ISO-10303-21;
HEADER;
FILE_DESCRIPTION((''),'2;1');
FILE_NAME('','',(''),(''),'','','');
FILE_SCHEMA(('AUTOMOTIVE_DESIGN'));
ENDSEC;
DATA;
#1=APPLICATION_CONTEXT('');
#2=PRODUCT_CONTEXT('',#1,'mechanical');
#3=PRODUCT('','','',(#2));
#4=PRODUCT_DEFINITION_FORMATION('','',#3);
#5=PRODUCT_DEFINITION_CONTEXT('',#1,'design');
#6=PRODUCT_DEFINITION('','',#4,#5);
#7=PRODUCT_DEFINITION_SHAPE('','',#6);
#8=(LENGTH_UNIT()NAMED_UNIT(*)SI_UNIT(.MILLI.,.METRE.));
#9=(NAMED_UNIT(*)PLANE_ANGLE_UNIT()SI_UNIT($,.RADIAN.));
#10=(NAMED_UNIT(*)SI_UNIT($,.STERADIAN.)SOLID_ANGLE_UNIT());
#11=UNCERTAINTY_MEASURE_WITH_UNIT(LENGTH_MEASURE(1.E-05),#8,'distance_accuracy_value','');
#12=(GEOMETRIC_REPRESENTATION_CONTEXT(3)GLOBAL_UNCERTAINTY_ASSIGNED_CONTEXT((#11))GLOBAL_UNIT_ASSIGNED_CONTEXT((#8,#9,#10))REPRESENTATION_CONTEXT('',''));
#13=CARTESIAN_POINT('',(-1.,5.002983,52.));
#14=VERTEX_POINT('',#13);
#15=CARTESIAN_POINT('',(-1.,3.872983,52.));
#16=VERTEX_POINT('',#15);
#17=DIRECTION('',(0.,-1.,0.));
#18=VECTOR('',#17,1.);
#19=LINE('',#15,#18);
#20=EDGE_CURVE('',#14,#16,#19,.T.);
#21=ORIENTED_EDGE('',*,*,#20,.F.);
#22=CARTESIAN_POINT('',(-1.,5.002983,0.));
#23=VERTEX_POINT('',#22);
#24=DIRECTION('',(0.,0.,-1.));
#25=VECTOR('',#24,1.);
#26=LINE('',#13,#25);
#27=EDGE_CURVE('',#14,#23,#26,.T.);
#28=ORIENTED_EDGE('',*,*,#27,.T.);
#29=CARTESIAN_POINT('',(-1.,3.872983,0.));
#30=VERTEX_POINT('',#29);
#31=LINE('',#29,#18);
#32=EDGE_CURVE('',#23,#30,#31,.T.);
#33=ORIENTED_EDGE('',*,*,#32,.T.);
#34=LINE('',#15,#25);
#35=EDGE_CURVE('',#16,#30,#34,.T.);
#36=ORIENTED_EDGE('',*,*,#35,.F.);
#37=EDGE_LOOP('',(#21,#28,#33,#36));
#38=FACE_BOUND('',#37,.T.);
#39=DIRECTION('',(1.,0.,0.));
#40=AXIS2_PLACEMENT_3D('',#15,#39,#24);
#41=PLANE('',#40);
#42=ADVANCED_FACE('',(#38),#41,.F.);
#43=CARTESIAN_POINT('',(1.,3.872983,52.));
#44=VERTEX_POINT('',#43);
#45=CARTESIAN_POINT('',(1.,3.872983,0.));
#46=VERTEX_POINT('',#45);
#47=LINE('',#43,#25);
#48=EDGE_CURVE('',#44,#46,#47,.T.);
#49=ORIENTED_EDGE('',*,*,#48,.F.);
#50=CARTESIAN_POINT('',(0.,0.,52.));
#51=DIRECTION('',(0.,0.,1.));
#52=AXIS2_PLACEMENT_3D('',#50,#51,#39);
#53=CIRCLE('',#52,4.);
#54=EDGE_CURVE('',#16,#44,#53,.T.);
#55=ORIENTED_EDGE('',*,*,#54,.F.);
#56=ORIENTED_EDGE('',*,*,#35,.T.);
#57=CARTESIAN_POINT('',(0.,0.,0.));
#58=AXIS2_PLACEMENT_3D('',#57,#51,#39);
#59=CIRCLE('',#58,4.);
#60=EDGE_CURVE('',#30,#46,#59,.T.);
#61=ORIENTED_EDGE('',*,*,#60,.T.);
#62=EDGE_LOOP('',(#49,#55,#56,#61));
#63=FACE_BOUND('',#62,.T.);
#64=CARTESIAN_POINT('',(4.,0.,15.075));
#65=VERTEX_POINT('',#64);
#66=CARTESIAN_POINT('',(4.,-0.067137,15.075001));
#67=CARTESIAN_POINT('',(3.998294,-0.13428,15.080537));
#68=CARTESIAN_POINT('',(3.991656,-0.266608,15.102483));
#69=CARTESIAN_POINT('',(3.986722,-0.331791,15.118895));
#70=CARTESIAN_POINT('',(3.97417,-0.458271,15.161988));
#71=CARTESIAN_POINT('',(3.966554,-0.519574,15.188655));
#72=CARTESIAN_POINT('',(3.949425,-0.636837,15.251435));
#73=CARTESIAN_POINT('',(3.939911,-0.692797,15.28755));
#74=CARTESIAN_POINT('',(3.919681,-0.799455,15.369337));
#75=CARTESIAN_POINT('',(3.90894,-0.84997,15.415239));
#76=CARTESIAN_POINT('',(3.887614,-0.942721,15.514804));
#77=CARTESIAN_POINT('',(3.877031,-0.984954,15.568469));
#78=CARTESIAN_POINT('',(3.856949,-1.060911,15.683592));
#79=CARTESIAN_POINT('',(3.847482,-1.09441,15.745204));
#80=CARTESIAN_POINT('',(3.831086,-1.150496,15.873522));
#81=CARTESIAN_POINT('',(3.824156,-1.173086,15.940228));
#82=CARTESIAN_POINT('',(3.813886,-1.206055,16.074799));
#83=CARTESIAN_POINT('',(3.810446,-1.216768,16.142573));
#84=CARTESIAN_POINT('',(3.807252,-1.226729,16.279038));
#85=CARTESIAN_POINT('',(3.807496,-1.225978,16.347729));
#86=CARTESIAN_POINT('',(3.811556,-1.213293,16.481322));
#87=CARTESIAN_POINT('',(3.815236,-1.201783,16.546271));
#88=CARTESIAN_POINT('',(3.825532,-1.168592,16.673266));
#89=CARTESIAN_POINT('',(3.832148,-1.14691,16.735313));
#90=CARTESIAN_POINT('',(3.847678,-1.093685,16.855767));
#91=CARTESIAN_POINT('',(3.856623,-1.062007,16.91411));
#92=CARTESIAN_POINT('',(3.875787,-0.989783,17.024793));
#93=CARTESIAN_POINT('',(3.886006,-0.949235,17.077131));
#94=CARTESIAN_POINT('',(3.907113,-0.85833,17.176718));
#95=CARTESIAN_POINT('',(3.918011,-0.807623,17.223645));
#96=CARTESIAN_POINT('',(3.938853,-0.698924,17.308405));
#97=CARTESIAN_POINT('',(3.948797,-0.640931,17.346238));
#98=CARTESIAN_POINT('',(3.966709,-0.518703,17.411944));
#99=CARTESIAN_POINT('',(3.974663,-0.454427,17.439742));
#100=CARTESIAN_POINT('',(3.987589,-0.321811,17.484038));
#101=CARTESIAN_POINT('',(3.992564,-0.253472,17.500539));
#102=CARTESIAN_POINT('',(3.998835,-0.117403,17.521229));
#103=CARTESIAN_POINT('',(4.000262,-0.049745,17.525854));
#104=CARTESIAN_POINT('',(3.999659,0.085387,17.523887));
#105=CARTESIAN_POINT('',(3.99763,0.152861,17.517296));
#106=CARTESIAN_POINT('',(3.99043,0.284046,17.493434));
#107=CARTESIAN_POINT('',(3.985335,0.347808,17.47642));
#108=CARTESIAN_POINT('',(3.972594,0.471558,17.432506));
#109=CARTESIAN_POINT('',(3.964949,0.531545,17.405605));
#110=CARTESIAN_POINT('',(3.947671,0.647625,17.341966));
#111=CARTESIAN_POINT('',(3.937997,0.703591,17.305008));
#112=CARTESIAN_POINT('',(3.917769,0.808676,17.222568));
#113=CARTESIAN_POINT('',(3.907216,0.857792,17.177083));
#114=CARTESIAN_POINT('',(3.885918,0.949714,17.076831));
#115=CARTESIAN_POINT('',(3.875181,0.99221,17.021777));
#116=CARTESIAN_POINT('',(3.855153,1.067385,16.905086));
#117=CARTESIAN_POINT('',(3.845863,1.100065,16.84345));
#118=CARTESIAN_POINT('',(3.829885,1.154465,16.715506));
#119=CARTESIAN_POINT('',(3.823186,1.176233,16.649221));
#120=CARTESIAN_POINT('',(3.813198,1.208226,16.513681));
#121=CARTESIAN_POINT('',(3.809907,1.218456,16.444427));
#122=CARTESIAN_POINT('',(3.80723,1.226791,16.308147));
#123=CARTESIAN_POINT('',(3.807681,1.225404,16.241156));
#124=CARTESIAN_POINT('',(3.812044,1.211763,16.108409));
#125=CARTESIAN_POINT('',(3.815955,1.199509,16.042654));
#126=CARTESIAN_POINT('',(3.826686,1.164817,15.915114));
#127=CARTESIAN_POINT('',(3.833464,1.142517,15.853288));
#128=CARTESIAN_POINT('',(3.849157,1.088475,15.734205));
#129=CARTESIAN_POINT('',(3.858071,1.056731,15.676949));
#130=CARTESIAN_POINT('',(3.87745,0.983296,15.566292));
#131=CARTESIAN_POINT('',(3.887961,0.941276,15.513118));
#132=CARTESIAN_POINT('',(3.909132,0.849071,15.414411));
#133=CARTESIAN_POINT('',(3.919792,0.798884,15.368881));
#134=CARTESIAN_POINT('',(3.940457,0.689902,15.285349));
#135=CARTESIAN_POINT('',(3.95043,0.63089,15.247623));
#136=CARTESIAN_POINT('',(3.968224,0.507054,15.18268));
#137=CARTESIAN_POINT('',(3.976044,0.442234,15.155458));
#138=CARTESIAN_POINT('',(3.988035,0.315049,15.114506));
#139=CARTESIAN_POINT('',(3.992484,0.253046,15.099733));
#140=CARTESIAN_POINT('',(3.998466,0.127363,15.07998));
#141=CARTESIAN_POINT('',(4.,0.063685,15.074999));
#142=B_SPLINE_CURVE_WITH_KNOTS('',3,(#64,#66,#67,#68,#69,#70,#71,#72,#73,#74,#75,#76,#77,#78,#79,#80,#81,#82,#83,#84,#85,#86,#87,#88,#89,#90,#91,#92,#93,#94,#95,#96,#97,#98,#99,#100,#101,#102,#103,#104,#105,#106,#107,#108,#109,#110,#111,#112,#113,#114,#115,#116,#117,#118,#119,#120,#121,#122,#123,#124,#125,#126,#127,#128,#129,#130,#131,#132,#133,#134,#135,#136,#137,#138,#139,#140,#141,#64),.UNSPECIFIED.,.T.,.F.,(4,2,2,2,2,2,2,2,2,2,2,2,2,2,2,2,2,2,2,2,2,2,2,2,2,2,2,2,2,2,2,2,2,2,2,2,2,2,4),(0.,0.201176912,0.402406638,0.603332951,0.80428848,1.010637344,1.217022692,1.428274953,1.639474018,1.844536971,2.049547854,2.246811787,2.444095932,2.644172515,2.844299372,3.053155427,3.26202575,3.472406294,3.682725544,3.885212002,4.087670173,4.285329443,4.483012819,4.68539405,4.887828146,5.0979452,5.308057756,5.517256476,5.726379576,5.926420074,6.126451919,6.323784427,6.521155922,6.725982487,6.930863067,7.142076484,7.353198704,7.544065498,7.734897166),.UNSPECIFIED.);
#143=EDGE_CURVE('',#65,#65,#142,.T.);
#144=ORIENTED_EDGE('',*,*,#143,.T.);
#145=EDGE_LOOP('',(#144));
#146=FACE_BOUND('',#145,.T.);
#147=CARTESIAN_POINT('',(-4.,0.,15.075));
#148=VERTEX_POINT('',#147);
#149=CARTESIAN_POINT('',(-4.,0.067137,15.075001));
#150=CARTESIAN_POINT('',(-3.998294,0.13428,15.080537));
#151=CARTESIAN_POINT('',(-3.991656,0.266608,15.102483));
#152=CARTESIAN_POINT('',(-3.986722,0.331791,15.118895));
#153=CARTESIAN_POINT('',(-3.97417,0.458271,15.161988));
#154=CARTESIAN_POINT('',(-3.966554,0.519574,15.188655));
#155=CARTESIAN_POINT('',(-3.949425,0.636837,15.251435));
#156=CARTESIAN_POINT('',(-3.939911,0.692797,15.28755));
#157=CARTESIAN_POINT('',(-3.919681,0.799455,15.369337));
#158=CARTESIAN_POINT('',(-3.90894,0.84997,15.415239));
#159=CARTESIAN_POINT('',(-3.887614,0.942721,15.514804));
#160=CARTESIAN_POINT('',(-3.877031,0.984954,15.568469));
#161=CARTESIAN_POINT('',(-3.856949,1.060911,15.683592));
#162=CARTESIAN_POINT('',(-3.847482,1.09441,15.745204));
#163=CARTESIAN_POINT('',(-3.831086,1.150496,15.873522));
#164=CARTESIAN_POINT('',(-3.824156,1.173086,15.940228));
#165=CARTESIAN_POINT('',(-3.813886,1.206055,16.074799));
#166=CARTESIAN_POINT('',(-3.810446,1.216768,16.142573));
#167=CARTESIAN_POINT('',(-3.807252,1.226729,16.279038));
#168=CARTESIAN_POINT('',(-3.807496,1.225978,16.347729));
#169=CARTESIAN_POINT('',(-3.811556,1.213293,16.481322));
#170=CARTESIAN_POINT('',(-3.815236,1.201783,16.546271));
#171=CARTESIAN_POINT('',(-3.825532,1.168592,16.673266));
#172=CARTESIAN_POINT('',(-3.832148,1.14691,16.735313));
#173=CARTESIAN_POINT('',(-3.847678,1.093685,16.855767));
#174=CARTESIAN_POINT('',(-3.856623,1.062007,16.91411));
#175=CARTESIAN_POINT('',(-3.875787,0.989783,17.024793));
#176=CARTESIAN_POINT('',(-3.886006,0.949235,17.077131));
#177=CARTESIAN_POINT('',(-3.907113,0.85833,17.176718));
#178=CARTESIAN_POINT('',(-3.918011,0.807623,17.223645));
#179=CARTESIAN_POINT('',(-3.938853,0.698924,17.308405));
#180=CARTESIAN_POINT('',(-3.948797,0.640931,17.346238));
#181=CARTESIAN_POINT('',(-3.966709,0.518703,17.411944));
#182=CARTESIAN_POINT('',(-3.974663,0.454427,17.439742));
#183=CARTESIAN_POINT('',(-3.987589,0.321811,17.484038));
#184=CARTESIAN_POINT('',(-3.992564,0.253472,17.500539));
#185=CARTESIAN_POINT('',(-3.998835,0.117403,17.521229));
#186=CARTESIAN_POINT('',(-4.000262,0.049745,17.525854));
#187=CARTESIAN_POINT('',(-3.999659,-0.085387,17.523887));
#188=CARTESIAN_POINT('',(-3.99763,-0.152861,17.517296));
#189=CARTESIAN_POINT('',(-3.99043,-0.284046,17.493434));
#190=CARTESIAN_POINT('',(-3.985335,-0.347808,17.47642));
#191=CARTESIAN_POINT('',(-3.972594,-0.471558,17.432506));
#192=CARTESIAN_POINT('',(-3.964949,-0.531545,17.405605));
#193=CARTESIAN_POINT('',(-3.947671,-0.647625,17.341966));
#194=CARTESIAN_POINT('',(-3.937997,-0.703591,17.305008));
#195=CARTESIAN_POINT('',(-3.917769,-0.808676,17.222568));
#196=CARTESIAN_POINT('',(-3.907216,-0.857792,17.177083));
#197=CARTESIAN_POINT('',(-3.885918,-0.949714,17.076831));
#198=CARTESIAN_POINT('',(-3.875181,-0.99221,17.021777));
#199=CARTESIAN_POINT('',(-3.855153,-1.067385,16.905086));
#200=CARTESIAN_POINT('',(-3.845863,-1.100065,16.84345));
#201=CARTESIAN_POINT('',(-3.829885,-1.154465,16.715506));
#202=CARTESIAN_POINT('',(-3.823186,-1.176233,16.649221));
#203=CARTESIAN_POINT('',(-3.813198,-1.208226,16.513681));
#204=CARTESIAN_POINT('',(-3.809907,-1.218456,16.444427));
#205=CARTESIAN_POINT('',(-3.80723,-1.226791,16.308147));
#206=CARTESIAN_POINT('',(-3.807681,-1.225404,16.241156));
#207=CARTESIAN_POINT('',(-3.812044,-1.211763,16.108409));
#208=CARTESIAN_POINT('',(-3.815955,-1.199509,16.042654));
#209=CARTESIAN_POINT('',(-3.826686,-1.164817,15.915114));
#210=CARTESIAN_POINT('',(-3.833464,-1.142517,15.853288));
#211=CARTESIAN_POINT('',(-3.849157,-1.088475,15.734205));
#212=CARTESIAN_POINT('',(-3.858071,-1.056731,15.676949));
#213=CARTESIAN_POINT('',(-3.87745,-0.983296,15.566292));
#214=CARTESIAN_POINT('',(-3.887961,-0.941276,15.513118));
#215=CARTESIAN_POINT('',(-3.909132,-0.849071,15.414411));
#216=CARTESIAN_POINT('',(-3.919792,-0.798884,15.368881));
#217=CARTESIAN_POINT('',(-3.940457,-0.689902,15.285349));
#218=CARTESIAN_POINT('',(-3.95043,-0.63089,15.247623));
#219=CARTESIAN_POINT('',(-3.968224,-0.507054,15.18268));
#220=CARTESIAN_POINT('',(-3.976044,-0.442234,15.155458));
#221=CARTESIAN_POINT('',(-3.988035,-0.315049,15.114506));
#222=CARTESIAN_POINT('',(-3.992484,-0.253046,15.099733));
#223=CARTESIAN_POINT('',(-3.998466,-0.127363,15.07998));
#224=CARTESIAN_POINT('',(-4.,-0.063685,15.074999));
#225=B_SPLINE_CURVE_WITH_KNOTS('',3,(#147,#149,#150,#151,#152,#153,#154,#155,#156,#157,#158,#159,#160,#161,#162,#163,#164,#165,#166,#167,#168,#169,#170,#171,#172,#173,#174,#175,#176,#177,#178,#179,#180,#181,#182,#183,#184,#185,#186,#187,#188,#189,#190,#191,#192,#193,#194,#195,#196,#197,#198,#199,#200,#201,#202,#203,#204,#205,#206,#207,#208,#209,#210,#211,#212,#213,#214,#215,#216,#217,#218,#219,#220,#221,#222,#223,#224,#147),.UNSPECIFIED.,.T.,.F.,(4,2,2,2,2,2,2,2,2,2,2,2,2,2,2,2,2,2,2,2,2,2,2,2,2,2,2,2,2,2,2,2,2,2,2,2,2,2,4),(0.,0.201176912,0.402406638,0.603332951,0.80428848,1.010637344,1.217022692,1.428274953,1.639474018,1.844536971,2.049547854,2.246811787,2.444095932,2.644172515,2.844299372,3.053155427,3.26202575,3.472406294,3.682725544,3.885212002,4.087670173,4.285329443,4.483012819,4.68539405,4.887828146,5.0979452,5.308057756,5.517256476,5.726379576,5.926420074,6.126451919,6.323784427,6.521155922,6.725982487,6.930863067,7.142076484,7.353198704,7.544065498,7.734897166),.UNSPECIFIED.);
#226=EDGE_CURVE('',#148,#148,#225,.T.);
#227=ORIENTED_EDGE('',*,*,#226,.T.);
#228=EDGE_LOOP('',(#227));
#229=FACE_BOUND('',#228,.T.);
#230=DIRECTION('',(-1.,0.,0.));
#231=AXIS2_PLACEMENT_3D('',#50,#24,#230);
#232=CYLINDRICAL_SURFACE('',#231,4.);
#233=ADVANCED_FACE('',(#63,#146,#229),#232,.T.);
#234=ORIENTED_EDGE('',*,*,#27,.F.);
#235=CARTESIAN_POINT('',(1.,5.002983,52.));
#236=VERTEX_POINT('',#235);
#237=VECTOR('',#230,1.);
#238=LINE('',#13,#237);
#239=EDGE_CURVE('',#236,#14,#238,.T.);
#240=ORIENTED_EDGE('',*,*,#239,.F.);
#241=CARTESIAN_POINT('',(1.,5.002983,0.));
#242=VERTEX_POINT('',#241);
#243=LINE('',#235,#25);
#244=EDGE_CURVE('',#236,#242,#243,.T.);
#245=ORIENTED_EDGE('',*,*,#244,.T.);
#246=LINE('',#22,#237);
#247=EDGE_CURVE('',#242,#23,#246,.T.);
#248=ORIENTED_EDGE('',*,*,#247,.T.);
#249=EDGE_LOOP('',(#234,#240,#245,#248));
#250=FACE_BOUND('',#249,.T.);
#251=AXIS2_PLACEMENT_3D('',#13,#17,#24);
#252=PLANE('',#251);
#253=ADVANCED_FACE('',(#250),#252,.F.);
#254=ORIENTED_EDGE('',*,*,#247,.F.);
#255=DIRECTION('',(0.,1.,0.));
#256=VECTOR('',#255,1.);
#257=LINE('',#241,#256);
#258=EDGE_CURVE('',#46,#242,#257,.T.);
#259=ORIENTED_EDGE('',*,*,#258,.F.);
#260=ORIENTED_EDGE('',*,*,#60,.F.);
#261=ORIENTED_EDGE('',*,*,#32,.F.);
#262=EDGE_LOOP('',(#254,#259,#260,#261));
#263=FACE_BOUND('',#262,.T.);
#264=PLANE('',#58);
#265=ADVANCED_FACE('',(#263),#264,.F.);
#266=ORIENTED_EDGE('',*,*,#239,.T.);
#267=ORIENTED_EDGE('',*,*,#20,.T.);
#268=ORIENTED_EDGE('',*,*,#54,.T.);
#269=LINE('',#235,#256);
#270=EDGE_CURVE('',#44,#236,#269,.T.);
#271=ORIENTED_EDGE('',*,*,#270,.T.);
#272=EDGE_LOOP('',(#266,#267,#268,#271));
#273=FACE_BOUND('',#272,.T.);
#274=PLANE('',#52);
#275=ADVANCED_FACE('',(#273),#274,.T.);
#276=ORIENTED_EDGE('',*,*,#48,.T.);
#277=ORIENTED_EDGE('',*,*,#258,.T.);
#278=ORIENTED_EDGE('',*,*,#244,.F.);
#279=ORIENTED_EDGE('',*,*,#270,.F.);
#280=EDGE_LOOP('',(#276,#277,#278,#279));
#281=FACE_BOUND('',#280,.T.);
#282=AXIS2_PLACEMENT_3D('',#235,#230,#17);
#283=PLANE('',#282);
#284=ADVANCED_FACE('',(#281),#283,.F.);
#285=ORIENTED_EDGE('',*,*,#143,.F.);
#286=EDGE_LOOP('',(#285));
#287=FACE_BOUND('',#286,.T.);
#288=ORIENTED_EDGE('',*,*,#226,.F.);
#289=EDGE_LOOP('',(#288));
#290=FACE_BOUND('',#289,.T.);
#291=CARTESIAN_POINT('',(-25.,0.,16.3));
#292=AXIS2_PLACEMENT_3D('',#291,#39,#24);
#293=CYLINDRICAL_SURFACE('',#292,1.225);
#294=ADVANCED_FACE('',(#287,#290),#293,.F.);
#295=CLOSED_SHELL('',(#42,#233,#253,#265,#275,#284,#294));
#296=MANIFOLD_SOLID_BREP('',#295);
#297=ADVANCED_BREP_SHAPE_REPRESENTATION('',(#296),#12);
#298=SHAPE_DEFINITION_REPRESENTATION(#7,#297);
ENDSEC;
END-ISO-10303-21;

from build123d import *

# Parameters (mm, degrees)
BOSS_EXTRUDE1_DEPTH = 52
SKETCH2_R           = 1.225
CUT_EXTRUDE1_DEPTH  = 25


with BuildPart() as part:
    # Sketch1 → Boss-Extrude1 (new body)
    with BuildSketch(Plane.XY):
        with BuildLine():
            Line((-1, 3.872983346), (-1, 5.002983346))
            Line((-1, 5.002983346), (1, 5.002983346))
            Line((1, 5.002983346), (1, 3.872983346))
            ThreePointArc((1, 3.872983346), (0, -4), (-1, 3.872983346))
        make_face()
    extrude(amount=BOSS_EXTRUDE1_DEPTH)

    # Sketch2 → Cut-Extrude1 (cut, symmetric)
    with BuildSketch(Plane(origin=(0, 0, 0), x_dir=(0, 0, -1), z_dir=(1, 0, 0))):
        with Locations((-16.3, 0)):
            Circle(SKETCH2_R)
    extrude(amount=CUT_EXTRUDE1_DEPTH, both=True, mode=Mode.SUBTRACT)


solid = part.part
